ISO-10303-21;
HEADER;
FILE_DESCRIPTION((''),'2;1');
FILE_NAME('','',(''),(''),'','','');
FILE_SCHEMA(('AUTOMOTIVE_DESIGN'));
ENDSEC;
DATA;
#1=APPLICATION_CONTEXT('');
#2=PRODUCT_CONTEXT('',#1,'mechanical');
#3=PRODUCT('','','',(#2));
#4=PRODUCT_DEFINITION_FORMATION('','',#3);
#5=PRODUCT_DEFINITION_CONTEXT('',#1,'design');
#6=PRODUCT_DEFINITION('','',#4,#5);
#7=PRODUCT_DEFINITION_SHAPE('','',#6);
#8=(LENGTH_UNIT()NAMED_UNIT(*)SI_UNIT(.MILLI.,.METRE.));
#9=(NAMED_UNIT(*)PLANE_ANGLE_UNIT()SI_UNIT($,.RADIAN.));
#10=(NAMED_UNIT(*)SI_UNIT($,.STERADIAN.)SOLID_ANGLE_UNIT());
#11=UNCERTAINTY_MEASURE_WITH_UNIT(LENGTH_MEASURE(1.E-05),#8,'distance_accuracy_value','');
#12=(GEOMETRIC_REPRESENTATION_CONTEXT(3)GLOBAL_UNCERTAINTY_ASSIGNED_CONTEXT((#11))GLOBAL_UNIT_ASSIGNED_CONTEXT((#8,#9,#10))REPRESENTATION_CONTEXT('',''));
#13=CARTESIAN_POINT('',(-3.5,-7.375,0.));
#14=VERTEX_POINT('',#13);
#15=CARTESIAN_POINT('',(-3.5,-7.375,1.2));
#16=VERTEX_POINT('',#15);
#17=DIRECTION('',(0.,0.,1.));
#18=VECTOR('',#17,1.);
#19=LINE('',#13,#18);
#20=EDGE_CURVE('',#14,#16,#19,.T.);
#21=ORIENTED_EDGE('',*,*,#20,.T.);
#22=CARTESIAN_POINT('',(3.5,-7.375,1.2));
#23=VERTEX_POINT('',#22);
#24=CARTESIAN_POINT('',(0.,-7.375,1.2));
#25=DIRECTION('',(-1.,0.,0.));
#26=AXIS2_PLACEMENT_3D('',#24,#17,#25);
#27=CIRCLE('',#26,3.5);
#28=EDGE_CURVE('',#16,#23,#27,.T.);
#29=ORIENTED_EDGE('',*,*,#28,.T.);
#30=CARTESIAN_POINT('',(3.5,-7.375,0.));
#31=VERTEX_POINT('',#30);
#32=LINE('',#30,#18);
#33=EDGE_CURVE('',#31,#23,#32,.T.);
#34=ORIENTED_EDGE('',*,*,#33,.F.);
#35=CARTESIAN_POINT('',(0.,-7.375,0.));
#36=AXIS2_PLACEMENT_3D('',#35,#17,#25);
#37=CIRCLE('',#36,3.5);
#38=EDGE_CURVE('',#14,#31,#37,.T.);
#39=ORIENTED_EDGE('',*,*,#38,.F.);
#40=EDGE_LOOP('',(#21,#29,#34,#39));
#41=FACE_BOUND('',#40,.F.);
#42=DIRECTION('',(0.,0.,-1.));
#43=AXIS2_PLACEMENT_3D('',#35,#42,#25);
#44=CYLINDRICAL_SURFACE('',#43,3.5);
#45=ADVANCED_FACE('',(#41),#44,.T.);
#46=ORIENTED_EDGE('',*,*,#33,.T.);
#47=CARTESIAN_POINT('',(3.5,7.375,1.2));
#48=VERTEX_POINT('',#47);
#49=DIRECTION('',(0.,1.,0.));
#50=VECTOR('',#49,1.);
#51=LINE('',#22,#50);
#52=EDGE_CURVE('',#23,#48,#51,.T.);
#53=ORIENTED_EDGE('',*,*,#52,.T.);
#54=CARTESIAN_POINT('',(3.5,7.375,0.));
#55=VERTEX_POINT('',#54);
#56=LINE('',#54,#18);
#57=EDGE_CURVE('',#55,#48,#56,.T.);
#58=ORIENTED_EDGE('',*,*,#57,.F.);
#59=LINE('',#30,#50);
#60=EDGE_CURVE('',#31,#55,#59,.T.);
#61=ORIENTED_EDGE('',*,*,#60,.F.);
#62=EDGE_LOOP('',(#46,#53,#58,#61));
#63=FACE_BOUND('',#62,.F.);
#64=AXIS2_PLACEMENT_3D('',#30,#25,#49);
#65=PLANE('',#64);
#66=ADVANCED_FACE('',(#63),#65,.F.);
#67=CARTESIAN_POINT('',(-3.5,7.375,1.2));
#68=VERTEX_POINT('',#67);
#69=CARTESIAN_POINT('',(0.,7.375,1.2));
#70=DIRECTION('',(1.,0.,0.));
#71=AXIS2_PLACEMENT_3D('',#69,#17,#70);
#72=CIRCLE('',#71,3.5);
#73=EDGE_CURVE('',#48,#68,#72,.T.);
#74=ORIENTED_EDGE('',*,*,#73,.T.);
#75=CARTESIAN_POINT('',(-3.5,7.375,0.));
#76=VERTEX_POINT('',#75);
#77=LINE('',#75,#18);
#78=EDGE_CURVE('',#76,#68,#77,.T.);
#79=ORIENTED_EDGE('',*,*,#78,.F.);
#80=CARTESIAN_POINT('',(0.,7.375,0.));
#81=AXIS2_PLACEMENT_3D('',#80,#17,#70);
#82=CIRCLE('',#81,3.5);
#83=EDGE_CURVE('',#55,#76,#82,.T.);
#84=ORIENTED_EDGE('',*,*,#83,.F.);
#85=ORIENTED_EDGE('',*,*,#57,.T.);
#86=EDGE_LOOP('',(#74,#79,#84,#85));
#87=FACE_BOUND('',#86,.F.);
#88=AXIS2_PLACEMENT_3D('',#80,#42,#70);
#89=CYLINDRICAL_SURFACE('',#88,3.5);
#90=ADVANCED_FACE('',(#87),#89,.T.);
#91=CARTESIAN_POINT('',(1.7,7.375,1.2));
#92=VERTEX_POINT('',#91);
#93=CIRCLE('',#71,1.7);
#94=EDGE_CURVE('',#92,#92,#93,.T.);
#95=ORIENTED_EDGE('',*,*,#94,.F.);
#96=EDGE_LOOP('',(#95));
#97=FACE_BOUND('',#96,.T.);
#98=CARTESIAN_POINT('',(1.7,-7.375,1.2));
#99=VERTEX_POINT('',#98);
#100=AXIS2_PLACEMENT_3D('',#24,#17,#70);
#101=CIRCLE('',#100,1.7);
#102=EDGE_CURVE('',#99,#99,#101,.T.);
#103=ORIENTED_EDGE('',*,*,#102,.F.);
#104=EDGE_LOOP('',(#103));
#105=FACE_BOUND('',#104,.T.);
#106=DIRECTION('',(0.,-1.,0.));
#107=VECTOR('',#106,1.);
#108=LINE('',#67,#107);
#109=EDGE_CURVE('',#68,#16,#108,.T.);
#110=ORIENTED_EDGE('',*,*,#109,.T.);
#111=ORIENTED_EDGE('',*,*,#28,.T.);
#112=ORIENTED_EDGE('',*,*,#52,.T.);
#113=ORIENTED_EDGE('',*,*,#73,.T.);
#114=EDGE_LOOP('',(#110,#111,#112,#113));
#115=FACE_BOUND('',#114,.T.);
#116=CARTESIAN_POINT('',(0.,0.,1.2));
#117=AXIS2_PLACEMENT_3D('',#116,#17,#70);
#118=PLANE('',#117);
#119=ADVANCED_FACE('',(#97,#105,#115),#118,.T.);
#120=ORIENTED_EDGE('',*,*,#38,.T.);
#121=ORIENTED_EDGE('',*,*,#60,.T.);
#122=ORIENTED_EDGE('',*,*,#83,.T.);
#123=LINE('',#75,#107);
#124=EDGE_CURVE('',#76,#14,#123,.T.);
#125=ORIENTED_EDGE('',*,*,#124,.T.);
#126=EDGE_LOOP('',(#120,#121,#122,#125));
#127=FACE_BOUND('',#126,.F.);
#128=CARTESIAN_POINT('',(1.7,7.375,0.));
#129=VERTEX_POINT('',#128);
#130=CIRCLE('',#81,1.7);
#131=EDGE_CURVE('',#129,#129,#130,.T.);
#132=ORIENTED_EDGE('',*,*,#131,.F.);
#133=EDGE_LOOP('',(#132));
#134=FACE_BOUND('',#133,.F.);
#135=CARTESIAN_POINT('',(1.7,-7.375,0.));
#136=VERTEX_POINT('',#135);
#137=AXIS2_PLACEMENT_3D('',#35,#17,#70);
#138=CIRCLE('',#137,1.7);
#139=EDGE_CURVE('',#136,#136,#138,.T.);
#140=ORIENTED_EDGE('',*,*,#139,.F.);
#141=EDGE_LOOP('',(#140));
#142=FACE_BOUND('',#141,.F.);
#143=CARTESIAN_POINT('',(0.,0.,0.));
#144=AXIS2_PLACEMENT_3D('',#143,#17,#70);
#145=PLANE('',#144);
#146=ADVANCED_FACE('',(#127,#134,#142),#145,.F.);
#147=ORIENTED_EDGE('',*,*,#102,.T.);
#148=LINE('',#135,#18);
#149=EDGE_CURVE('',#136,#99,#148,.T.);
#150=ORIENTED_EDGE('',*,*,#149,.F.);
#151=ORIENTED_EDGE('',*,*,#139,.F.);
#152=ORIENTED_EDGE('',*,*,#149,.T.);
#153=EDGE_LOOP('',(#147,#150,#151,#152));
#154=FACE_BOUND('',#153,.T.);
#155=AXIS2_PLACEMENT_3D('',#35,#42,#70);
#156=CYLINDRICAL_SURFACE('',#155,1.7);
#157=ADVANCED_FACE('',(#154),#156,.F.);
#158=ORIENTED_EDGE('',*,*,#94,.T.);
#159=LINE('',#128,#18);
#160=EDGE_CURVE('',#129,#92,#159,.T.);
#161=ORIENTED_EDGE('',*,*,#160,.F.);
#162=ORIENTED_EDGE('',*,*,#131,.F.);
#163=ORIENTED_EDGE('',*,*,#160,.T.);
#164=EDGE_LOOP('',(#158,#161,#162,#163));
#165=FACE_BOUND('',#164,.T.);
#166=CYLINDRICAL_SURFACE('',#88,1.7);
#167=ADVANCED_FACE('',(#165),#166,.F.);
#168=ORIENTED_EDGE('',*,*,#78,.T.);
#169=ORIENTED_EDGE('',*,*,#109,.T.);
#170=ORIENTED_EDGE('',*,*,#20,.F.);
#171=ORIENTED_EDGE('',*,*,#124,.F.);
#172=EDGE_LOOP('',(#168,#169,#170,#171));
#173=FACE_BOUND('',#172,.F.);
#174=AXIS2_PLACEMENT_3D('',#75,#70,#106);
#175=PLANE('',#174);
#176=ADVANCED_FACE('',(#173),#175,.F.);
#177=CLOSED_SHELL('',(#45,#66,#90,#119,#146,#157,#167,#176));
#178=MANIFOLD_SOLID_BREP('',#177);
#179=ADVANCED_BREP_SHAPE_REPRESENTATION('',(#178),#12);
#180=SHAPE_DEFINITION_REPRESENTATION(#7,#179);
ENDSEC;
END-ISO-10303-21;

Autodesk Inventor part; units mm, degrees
ref_plane "YZ Plane" through (0, 0, 0) normal (1, 0, 0) x (0, 1, 0)
ref_plane "XZ Plane" through (0, 0, 0) normal (0, 1, 0) x (-1, 0, 0)
ref_plane "XY Plane" through (0, 0, 0) normal (0, 0, 1) x (1, 0, 0)
sketch "Náčrt1" plane through (0, 0, 0) normal (0, 0, 1) x (1, 0, 0)
  line L0 (0, 7.375) -> (0, -7.375) construction
  line L1 (-3.5, 7.375) -> (-3.5, -7.375)
  line L2 (3.5, -7.375) -> (3.5, 7.375)
  arc A0 (3.5, 7.375) -> (-3.5, 7.375) centre (0, 7.375) ccw
  arc A1 (-3.5, -7.375) -> (3.5, -7.375) centre (0, -7.375) ccw
  circle A2 centre (0, 7.375) radius 1.7
  circle A3 centre (0, -7.375) radius 1.7
  circle A4 centre (0, 7.375) radius 3.5
  point P0 (0, 0)
  point P1 (0, 0)
  point P2 (-3.5, 7.375)
  point P3 (3.5, 7.375)
  dimension "d0" = 14.75
  dimension "d1" = 3.5
  dimension "d2" = 3.4
extrude "Vysunutí1" add sketch "Náčrt1" along normal blind 1.2
properties part number "not flex back qre flex holder"
